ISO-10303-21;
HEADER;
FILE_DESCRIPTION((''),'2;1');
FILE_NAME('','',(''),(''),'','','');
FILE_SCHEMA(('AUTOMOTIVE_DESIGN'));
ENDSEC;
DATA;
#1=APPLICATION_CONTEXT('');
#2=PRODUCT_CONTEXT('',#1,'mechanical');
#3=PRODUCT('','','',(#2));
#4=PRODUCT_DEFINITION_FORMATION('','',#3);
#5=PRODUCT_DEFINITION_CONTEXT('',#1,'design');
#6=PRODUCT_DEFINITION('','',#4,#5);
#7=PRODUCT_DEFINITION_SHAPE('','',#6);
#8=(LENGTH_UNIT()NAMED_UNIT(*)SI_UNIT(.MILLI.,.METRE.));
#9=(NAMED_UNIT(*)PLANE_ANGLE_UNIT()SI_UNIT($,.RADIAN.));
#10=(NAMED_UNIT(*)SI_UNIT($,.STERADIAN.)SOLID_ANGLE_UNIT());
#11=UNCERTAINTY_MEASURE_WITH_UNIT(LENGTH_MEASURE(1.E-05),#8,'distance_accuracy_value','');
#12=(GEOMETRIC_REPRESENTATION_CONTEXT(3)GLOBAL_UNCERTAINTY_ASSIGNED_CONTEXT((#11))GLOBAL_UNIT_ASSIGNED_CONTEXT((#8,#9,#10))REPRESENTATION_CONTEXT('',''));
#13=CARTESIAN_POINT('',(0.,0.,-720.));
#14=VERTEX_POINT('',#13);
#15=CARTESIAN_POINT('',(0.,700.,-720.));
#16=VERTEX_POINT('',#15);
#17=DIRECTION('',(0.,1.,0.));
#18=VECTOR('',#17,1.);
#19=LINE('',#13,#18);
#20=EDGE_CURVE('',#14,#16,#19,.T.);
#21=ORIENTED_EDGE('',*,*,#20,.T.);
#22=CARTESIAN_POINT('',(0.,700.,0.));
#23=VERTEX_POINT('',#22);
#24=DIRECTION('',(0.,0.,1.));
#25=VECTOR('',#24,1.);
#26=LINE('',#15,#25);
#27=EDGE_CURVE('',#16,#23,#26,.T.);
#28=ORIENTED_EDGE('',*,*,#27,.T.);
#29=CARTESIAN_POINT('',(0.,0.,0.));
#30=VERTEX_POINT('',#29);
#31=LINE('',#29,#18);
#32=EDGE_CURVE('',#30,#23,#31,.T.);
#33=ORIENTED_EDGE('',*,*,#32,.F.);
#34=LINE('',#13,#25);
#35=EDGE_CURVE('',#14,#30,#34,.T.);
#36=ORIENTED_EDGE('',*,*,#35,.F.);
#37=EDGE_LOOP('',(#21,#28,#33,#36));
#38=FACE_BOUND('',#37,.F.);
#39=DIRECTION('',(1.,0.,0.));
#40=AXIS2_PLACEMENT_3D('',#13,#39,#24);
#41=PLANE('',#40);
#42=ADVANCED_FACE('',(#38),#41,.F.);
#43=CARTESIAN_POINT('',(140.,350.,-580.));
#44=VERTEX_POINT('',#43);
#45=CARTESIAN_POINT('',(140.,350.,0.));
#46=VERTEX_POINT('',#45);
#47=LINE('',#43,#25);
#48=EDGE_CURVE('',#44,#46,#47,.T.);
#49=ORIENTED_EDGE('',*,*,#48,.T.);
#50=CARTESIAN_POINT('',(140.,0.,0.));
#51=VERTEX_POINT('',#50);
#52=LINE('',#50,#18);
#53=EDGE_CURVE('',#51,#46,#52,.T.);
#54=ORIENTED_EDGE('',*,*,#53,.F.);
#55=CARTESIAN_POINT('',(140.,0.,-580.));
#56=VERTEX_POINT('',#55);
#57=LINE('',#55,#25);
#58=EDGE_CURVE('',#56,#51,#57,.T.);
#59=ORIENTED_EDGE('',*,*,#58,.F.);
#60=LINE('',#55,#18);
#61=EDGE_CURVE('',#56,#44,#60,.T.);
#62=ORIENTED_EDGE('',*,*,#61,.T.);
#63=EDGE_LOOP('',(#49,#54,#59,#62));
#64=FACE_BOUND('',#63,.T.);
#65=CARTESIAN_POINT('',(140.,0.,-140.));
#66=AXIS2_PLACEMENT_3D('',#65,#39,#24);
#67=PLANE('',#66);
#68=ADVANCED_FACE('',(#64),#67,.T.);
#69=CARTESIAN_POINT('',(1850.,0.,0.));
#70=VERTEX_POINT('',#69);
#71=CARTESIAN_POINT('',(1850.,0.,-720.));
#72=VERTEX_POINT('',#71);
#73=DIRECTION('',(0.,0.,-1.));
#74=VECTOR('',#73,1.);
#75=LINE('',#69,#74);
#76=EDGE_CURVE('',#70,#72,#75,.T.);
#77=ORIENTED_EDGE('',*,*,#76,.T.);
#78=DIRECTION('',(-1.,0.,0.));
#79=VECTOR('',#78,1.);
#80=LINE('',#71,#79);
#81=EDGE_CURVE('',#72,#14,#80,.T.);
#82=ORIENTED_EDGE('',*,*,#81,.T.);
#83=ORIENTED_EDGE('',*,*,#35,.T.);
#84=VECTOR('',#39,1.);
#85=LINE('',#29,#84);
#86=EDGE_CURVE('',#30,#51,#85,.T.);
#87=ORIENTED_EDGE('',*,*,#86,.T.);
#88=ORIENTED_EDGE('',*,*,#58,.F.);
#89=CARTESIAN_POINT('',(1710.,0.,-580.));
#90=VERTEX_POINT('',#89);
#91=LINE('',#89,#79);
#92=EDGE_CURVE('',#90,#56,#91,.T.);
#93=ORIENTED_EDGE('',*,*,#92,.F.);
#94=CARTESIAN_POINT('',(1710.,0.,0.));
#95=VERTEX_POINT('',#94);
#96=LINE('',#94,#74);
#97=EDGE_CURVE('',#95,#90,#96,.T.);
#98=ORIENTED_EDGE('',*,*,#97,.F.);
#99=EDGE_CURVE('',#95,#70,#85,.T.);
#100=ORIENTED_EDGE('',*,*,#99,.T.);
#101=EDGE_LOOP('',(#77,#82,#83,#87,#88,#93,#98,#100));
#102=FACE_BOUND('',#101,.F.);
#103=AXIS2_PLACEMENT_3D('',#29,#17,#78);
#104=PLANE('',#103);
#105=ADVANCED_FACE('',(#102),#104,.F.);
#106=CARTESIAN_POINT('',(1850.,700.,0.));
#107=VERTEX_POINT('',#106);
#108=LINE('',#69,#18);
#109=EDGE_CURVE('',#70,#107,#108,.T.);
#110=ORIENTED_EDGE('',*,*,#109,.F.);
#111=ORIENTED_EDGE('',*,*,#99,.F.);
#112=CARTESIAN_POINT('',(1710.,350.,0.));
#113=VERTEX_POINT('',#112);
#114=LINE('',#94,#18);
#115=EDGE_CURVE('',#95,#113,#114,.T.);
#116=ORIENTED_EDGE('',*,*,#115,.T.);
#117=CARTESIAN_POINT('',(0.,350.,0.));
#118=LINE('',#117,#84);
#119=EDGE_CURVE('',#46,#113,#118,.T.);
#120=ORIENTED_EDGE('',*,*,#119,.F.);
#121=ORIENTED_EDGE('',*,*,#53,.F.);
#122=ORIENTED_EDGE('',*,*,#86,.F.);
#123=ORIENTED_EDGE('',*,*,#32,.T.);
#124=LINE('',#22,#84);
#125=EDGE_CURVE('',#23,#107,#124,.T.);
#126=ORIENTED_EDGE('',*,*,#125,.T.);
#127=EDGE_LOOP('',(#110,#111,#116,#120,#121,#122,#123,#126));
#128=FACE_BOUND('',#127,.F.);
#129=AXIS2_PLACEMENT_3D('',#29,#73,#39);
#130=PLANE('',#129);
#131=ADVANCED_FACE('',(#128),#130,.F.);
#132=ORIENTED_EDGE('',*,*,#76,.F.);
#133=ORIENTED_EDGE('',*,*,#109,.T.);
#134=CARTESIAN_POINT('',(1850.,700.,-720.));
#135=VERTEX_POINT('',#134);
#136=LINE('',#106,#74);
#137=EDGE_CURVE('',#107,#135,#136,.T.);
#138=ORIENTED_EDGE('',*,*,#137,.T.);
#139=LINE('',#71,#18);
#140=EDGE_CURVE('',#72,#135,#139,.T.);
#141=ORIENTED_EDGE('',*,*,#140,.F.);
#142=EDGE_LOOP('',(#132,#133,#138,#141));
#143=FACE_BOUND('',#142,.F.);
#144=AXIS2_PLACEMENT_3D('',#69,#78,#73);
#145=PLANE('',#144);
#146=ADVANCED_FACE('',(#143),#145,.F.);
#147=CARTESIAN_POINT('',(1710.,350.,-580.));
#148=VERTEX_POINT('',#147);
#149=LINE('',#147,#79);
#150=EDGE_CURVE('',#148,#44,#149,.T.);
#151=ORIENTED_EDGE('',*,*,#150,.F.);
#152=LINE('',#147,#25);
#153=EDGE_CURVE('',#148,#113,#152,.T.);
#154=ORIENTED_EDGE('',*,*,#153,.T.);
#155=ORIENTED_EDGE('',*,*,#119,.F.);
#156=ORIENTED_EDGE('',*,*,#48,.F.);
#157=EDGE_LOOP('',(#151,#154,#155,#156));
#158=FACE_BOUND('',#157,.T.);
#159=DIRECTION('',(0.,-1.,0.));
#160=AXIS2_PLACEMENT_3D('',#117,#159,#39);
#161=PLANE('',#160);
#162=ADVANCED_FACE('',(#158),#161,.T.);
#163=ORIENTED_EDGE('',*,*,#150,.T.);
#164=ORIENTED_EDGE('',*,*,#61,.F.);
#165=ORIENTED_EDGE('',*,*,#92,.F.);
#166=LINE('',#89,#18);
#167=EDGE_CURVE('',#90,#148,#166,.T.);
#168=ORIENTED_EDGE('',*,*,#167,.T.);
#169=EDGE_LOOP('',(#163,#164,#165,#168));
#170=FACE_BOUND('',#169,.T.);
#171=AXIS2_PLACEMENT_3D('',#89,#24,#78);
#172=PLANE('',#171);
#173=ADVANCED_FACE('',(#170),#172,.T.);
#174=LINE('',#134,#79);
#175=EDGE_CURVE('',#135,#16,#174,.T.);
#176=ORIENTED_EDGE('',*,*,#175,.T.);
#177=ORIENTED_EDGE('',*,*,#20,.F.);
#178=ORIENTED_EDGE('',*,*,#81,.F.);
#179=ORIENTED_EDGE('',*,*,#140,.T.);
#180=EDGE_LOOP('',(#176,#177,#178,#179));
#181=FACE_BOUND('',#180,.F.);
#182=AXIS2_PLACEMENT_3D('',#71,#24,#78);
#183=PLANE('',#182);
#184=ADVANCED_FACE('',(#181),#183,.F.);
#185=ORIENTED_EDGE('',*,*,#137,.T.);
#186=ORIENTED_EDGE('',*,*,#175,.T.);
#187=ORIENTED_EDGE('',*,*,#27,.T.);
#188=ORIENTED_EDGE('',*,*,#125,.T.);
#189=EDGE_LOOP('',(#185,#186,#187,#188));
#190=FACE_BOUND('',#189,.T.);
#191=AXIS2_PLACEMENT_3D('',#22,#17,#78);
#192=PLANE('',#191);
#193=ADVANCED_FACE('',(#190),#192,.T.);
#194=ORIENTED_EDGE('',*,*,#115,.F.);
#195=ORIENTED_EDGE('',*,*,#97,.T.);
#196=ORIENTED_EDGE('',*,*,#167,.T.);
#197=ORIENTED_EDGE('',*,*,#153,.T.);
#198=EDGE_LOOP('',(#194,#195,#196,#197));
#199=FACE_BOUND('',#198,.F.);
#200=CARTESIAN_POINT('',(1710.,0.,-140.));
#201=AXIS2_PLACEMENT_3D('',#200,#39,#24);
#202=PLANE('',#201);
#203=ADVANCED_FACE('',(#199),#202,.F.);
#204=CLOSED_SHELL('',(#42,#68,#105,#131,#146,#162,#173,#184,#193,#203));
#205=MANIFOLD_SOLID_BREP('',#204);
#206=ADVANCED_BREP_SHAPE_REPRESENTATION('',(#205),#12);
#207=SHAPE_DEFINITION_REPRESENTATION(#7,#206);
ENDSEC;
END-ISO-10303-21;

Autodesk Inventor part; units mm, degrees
ref_plane "YZ Plane" through (0, 0, 0) normal (1, 0, 0) x (0, 1, 0)
ref_plane "XZ Plane" through (0, 0, 0) normal (0, 1, 0) x (-1, 0, 0)
ref_plane "XY Plane" through (0, 0, 0) normal (0, 0, 1) x (1, 0, 0)
sketch "Boceto1" plane through (0, 0, 0) normal (0, 1, 0) x (-1, 0, 0)
  line L0 (0, 0) -> (-1850, 0)
  line L1 (-1850, 0) -> (-1850, -720)
  line L2 (-1850, -720) -> (0, -720)
  line L3 (0, -720) -> (0, 0)
  dimension "d0" = 1850
  dimension "d1" = 720
extrude "Extrusión1" add sketch "Boceto1" along normal blind 700
sketch "Boceto2" plane through (0, 0, 0) normal (0, -1, 0) x (1, 0, 0)
  line L0 (1850, 0) -> (1850, -720) projected
  line L1 (0, 0) -> (1850, 0) projected
  line L2 (0, -720) -> (0, 0) projected
  line L3 (1850, -720) -> (0, -720) projected
  line L4 (140, -580) -> (140, -140)
  line L5 (1710, -140) -> (1710, -580)
  line L6 (1710, -580) -> (140, -580)
  line L7 (1710, -140) -> (1710, 0)
  line L8 (140, -140) -> (140, 0)
  dimension "d4" = 140
extrude "Extrusión2" cut sketch "Boceto2" against normal blind 350 contours L7 L5 L6 L4 L8 L1
properties part number "sofa"
